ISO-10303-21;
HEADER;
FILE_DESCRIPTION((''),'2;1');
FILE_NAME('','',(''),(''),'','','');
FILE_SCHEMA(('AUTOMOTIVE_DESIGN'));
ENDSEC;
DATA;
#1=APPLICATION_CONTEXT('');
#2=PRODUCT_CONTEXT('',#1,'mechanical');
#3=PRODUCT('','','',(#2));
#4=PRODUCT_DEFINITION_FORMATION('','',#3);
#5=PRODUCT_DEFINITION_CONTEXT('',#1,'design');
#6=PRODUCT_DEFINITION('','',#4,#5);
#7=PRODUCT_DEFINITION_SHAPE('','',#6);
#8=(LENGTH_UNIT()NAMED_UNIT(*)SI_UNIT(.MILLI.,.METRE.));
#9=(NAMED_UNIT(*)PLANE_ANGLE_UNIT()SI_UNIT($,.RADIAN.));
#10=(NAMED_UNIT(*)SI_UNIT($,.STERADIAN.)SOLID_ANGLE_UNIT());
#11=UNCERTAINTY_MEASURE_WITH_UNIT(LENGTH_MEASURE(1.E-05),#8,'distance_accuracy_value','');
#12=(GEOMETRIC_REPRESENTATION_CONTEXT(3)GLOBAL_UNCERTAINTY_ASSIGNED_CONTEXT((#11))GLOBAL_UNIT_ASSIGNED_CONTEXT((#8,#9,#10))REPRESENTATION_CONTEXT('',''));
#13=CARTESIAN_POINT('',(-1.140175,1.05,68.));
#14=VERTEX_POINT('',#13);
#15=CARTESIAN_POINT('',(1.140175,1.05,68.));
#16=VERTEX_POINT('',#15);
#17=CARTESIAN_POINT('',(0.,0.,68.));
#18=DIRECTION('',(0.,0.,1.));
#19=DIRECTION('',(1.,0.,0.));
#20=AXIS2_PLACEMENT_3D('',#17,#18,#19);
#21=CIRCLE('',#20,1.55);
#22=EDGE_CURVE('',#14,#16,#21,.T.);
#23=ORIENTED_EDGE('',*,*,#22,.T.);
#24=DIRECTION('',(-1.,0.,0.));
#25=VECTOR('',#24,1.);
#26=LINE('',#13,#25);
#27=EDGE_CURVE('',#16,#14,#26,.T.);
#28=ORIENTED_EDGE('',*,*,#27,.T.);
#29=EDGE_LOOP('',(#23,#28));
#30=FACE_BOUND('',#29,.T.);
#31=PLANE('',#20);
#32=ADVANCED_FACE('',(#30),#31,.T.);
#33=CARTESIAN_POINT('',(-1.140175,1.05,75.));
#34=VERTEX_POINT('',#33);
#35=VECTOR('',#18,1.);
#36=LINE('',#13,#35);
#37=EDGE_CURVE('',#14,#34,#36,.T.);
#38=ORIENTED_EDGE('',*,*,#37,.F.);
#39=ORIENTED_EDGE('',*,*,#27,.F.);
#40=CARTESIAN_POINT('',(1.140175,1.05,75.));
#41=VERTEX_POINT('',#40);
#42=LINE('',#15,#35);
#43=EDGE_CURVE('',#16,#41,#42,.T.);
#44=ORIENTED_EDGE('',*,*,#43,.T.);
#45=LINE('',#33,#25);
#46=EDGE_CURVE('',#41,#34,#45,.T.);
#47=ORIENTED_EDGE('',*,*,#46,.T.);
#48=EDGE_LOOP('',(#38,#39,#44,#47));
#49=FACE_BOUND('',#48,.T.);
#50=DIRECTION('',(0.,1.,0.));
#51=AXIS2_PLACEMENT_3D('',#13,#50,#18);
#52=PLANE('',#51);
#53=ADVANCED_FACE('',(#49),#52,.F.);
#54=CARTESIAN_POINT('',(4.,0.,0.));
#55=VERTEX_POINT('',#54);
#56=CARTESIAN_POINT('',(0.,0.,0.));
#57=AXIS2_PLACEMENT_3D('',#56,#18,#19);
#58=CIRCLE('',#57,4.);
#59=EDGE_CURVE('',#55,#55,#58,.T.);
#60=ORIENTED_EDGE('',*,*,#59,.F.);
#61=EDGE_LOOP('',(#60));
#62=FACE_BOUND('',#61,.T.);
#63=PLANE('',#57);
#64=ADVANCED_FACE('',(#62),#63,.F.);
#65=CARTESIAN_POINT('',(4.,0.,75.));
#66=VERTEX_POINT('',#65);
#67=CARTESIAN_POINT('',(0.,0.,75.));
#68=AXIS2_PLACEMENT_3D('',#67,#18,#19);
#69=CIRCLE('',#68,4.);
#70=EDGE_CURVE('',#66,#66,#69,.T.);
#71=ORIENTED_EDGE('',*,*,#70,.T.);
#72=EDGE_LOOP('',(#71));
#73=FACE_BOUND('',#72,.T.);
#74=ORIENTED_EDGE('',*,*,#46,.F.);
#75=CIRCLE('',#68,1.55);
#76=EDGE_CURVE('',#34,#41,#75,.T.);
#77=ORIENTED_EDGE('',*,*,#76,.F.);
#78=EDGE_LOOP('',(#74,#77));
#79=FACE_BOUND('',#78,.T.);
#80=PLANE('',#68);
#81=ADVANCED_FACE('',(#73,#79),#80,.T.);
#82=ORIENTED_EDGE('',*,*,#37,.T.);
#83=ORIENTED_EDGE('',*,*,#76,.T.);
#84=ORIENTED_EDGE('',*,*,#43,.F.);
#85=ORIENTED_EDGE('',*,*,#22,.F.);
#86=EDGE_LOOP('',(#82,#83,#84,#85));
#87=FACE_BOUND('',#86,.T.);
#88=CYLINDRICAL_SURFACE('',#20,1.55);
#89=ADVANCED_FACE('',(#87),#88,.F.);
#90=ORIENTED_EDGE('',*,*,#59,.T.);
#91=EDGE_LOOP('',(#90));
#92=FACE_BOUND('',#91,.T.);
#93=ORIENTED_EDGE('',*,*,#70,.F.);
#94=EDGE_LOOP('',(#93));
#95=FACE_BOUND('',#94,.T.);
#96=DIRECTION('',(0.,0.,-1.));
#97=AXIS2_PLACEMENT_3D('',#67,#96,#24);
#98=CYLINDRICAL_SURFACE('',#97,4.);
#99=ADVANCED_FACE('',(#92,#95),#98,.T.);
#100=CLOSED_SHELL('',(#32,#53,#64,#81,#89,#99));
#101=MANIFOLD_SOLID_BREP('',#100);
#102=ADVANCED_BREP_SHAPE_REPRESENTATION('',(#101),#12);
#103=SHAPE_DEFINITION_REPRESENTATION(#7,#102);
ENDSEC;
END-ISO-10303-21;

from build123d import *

# Parameters (mm, degrees)
IZIM1_R                     = 4
Y_KSEKLIK_EKSTR_ZYON1_DEPTH = 75
KES_EKSTR_ZYON1_DEPTH       = 7


with BuildPart() as part:
    # Çizim1 → Yükseklik-Ekstrüzyon1 (new body)
    with BuildSketch(Plane.XY):
        Circle(IZIM1_R)
    extrude(amount=Y_KSEKLIK_EKSTR_ZYON1_DEPTH)

    # Çizim2 → Kes-Ekstrüzyon1 (cut)
    with BuildSketch(Plane.XY.offset(75)):
        with BuildLine():
            Line((-1.140175425, 1.05), (1.140175425, 1.05))
            ThreePointArc((1.140175425, 1.05), (0, -1.55), (-1.140175425, 1.05))
        make_face()
    extrude(amount=-KES_EKSTR_ZYON1_DEPTH, mode=Mode.SUBTRACT)


solid = part.part
